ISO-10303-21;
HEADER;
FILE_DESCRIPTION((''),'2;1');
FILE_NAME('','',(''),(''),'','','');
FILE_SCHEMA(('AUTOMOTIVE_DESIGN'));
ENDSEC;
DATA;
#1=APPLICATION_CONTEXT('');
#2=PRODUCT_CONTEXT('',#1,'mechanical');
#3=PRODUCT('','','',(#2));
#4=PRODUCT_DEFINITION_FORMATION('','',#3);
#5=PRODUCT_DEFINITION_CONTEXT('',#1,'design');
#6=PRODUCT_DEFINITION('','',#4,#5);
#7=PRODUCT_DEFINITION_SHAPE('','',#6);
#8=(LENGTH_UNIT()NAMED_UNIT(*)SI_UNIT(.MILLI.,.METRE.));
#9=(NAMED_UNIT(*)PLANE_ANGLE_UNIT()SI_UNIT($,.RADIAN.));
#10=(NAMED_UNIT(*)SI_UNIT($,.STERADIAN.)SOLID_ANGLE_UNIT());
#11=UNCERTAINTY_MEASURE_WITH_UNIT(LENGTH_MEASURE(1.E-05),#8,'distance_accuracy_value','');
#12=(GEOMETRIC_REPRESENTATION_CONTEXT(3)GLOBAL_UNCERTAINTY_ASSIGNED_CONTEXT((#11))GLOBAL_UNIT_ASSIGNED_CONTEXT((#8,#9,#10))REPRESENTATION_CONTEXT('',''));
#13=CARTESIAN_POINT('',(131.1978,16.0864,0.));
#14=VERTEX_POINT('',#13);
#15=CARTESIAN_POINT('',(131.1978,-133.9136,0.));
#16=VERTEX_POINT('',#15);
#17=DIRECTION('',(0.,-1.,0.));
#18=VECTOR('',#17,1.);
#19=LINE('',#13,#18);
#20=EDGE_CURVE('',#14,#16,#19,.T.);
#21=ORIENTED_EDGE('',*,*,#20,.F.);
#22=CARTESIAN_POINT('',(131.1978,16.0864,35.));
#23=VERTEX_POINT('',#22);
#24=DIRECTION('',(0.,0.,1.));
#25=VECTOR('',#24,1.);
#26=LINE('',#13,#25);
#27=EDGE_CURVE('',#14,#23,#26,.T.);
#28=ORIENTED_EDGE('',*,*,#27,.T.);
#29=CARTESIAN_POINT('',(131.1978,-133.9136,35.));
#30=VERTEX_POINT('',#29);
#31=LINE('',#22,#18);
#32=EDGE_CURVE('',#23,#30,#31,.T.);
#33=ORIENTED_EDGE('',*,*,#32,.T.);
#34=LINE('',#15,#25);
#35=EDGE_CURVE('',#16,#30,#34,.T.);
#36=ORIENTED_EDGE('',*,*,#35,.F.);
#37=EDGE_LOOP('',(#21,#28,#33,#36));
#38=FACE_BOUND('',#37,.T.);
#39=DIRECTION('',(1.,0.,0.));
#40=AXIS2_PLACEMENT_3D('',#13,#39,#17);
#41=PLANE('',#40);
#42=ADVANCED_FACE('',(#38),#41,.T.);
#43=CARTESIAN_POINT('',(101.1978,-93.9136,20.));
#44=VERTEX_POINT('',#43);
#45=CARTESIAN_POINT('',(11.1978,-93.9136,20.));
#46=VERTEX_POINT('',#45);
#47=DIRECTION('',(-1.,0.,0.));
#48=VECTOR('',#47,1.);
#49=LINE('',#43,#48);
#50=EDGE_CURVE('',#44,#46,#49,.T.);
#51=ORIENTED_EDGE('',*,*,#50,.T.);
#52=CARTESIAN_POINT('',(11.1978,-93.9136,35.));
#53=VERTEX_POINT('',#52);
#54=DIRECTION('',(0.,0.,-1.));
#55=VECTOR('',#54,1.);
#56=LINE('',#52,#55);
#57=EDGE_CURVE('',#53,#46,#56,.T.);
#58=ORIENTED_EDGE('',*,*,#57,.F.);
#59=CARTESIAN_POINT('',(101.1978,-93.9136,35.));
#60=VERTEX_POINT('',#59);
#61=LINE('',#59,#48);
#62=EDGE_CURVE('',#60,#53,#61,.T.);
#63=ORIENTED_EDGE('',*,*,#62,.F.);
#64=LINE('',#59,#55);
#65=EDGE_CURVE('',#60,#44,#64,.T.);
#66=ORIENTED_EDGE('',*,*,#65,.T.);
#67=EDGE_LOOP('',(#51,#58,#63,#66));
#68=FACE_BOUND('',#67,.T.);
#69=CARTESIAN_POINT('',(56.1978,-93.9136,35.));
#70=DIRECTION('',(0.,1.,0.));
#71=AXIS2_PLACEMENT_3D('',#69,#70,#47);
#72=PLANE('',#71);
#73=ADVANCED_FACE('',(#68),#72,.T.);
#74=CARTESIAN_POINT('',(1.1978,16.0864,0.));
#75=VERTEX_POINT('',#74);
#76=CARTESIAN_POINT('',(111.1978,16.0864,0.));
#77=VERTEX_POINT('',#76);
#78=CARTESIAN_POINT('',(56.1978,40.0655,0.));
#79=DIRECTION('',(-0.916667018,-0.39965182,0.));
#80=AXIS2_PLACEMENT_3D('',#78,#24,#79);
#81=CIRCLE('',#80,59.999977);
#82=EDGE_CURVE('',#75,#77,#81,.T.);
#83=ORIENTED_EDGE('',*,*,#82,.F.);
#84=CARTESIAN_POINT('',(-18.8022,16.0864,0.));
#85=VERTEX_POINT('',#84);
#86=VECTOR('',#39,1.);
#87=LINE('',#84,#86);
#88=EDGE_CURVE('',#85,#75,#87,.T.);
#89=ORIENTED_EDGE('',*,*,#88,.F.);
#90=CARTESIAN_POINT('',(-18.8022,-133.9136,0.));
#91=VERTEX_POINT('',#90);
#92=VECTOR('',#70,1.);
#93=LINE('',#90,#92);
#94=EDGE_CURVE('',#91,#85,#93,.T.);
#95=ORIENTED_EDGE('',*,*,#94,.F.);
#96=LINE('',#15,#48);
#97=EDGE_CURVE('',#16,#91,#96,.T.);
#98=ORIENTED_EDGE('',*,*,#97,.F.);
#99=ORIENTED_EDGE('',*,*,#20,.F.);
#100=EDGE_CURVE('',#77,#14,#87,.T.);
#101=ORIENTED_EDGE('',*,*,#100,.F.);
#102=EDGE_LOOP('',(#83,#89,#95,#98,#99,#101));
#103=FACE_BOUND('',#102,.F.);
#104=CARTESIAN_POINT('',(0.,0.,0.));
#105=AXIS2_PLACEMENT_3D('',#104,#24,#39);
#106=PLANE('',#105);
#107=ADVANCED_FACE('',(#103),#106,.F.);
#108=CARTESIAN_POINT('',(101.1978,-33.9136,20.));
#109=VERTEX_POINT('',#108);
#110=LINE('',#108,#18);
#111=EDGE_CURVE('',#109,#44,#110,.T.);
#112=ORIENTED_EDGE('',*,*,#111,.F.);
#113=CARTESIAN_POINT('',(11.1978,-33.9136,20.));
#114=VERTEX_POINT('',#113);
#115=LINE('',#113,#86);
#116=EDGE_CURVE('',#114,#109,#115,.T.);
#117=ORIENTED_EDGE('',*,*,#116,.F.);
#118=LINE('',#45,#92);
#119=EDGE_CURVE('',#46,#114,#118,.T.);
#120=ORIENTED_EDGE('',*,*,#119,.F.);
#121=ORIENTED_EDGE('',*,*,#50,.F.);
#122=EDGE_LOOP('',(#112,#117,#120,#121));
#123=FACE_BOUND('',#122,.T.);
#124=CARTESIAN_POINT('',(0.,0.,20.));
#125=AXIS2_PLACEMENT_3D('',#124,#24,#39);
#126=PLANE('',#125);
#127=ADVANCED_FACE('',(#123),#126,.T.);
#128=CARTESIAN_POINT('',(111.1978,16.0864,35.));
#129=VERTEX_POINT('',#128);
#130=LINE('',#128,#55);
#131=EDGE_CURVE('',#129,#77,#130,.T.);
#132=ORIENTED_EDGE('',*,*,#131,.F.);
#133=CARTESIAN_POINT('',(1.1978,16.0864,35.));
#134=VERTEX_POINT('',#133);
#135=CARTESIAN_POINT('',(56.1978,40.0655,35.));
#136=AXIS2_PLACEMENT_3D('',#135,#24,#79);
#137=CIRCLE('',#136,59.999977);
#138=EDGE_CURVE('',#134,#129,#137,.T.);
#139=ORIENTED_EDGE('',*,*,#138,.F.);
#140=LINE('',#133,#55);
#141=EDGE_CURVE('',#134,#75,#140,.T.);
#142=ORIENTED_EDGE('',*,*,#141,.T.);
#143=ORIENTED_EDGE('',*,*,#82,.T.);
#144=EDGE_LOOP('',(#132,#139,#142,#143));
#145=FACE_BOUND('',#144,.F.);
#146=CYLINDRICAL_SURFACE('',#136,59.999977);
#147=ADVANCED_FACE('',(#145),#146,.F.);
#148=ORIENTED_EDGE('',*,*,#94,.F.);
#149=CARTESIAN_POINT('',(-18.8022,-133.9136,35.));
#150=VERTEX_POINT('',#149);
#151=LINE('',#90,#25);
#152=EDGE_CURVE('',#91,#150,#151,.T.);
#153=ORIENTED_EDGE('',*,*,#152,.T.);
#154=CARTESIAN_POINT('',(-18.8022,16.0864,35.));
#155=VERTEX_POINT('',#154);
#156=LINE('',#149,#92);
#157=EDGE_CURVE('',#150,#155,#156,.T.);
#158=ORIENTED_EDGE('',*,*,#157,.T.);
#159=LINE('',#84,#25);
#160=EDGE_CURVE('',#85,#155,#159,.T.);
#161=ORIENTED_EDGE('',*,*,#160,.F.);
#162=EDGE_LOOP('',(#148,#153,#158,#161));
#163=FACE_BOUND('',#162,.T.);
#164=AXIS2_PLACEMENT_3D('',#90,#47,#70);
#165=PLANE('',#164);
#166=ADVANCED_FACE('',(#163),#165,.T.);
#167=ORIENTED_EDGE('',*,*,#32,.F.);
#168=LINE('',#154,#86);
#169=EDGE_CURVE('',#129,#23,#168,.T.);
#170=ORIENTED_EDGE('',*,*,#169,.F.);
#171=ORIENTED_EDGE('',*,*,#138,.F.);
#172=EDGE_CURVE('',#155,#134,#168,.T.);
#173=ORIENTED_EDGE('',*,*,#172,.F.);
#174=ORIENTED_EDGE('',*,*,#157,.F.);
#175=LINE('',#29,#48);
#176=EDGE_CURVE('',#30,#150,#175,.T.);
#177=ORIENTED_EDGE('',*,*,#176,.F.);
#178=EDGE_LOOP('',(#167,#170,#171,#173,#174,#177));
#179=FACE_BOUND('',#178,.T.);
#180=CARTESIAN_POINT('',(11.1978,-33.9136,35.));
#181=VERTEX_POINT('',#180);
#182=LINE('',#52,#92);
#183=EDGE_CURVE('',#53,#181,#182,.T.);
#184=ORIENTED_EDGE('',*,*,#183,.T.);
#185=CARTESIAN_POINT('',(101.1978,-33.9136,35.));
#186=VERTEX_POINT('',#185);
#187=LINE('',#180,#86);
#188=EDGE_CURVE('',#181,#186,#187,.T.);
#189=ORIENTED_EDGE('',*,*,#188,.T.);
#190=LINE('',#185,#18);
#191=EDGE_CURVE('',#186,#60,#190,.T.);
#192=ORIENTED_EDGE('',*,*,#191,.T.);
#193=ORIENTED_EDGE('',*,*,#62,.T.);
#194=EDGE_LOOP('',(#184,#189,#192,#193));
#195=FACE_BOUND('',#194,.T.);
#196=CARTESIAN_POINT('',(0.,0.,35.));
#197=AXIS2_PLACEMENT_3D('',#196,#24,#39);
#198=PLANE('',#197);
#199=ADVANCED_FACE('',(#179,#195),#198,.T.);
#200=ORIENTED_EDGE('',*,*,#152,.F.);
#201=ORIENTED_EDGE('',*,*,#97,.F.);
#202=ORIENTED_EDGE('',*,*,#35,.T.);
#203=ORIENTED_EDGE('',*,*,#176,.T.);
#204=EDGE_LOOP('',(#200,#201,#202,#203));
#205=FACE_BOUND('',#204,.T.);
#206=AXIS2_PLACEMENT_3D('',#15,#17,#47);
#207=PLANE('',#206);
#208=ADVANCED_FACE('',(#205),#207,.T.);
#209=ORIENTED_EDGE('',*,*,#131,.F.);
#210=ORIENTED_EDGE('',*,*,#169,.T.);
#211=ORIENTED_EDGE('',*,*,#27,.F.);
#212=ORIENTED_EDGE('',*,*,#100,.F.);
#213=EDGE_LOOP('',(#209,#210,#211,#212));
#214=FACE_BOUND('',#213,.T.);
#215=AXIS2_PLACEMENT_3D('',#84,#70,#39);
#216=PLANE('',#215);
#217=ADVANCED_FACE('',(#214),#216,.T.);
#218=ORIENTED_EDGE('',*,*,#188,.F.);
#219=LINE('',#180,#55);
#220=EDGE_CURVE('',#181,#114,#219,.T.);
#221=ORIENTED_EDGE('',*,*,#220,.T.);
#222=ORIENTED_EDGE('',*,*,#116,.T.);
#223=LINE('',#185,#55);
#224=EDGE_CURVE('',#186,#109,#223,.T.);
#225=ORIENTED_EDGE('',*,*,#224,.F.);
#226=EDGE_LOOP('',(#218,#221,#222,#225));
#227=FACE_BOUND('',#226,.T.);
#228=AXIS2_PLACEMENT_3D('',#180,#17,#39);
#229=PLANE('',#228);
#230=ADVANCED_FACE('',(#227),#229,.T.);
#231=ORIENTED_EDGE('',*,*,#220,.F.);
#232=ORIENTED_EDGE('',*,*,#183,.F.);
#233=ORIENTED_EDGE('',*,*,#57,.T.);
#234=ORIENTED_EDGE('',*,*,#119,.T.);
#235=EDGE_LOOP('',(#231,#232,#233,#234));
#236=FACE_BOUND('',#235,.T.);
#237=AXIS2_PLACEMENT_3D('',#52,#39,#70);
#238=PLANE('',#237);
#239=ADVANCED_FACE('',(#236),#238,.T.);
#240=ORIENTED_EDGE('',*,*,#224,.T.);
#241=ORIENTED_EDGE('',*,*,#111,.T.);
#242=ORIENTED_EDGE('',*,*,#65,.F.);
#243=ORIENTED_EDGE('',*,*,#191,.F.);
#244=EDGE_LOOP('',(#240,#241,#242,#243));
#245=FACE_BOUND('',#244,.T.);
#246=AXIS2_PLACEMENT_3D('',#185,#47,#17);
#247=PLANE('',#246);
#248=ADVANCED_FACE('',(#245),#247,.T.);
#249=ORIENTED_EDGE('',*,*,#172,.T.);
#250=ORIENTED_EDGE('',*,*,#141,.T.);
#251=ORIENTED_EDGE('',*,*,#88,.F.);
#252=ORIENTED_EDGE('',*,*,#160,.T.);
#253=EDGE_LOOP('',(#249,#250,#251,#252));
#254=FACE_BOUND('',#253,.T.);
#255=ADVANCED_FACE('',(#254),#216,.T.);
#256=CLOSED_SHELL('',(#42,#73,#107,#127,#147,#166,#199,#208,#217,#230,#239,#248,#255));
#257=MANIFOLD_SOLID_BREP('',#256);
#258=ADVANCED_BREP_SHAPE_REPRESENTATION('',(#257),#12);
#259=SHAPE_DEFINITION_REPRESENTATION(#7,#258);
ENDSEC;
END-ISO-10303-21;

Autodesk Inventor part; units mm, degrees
ref_plane "YZ Plane" through (0, 0, 0) normal (1, 0, 0) x (0, 1, 0)
ref_plane "XZ Plane" through (0, 0, 0) normal (0, 1, 0) x (-1, 0, 0)
ref_plane "XY Plane" through (0, 0, 0) normal (0, 0, 1) x (1, 0, 0)
sketch "Sketch1" plane through (0, 0, 0) normal (0, 0, 1) x (1, 0, 0)
  line L0 (-18.8022, 16.0864) -> (131.1978, 16.0864)
  line L1 (131.1978, 16.0864) -> (131.1978, -133.9136)
  line L2 (131.1978, -133.9136) -> (-18.8022, -133.9136)
  line L3 (-18.8022, -133.9136) -> (-18.8022, 16.0864)
  point P0 (0, 0)
  dimension "d0" = 150
  dimension "d1" = 150
extrude "Extrusion1" add sketch "Sketch1" along normal blind 35
sketch "Sketch2" plane through (0, 0, 35) normal (0, 0, 1) x (1, 0, 0)
  line L0 (-18.8022, -133.9136) -> (131.1978, -133.9136) projected
  line L1 (-18.8022, 16.0864) -> (-18.8022, -133.9136) projected
  line L2 (131.1978, -133.9136) -> (131.1978, 16.0864) projected
  line L3 (-18.8022, 16.0864) -> (1.1978, 16.0864)
  line L4 (131.1978, 16.0864) -> (-18.8022, 16.0864) projected
  line L5 (131.1978, 16.0864) -> (111.1978, 16.0864)
  arc A0 (1.1978, 16.0864) -> (111.1978, 16.0864) centre (56.1978, 40.0655) ccw
  line L6 (1.1978, 16.0864) -> (111.1978, 16.0864)
  line L7 (56.1978, -93.9136) -> (-18.8022, -93.9136)
  line L8 (56.1978, -93.9136) -> (131.1978, -93.9136)
  line L9 (56.1978, -93.9136) -> (11.1978, -93.9136)
  line L10 (11.1978, -93.9136) -> (11.1978, -33.9136)
  line L11 (11.1978, -33.9136) -> (101.1978, -33.9136)
  line L12 (101.1978, -33.9136) -> (101.1978, -93.9136)
  point P0 (0, 0)
  dimension "d5" = 20
  dimension "d6" = 20
  dimension "d7" = 60
  dimension "d10" = 60
  dimension "d11" = 90
  dimension "d12" = 60
extrude "Extrusion2" cut sketch "Sketch2" against normal blind 35 contours L4 A0
extrude "Extrusion3" cut sketch "Sketch2" against normal blind 15 contours L10 L11 L12 L8 L7
properties part number "Version1"
